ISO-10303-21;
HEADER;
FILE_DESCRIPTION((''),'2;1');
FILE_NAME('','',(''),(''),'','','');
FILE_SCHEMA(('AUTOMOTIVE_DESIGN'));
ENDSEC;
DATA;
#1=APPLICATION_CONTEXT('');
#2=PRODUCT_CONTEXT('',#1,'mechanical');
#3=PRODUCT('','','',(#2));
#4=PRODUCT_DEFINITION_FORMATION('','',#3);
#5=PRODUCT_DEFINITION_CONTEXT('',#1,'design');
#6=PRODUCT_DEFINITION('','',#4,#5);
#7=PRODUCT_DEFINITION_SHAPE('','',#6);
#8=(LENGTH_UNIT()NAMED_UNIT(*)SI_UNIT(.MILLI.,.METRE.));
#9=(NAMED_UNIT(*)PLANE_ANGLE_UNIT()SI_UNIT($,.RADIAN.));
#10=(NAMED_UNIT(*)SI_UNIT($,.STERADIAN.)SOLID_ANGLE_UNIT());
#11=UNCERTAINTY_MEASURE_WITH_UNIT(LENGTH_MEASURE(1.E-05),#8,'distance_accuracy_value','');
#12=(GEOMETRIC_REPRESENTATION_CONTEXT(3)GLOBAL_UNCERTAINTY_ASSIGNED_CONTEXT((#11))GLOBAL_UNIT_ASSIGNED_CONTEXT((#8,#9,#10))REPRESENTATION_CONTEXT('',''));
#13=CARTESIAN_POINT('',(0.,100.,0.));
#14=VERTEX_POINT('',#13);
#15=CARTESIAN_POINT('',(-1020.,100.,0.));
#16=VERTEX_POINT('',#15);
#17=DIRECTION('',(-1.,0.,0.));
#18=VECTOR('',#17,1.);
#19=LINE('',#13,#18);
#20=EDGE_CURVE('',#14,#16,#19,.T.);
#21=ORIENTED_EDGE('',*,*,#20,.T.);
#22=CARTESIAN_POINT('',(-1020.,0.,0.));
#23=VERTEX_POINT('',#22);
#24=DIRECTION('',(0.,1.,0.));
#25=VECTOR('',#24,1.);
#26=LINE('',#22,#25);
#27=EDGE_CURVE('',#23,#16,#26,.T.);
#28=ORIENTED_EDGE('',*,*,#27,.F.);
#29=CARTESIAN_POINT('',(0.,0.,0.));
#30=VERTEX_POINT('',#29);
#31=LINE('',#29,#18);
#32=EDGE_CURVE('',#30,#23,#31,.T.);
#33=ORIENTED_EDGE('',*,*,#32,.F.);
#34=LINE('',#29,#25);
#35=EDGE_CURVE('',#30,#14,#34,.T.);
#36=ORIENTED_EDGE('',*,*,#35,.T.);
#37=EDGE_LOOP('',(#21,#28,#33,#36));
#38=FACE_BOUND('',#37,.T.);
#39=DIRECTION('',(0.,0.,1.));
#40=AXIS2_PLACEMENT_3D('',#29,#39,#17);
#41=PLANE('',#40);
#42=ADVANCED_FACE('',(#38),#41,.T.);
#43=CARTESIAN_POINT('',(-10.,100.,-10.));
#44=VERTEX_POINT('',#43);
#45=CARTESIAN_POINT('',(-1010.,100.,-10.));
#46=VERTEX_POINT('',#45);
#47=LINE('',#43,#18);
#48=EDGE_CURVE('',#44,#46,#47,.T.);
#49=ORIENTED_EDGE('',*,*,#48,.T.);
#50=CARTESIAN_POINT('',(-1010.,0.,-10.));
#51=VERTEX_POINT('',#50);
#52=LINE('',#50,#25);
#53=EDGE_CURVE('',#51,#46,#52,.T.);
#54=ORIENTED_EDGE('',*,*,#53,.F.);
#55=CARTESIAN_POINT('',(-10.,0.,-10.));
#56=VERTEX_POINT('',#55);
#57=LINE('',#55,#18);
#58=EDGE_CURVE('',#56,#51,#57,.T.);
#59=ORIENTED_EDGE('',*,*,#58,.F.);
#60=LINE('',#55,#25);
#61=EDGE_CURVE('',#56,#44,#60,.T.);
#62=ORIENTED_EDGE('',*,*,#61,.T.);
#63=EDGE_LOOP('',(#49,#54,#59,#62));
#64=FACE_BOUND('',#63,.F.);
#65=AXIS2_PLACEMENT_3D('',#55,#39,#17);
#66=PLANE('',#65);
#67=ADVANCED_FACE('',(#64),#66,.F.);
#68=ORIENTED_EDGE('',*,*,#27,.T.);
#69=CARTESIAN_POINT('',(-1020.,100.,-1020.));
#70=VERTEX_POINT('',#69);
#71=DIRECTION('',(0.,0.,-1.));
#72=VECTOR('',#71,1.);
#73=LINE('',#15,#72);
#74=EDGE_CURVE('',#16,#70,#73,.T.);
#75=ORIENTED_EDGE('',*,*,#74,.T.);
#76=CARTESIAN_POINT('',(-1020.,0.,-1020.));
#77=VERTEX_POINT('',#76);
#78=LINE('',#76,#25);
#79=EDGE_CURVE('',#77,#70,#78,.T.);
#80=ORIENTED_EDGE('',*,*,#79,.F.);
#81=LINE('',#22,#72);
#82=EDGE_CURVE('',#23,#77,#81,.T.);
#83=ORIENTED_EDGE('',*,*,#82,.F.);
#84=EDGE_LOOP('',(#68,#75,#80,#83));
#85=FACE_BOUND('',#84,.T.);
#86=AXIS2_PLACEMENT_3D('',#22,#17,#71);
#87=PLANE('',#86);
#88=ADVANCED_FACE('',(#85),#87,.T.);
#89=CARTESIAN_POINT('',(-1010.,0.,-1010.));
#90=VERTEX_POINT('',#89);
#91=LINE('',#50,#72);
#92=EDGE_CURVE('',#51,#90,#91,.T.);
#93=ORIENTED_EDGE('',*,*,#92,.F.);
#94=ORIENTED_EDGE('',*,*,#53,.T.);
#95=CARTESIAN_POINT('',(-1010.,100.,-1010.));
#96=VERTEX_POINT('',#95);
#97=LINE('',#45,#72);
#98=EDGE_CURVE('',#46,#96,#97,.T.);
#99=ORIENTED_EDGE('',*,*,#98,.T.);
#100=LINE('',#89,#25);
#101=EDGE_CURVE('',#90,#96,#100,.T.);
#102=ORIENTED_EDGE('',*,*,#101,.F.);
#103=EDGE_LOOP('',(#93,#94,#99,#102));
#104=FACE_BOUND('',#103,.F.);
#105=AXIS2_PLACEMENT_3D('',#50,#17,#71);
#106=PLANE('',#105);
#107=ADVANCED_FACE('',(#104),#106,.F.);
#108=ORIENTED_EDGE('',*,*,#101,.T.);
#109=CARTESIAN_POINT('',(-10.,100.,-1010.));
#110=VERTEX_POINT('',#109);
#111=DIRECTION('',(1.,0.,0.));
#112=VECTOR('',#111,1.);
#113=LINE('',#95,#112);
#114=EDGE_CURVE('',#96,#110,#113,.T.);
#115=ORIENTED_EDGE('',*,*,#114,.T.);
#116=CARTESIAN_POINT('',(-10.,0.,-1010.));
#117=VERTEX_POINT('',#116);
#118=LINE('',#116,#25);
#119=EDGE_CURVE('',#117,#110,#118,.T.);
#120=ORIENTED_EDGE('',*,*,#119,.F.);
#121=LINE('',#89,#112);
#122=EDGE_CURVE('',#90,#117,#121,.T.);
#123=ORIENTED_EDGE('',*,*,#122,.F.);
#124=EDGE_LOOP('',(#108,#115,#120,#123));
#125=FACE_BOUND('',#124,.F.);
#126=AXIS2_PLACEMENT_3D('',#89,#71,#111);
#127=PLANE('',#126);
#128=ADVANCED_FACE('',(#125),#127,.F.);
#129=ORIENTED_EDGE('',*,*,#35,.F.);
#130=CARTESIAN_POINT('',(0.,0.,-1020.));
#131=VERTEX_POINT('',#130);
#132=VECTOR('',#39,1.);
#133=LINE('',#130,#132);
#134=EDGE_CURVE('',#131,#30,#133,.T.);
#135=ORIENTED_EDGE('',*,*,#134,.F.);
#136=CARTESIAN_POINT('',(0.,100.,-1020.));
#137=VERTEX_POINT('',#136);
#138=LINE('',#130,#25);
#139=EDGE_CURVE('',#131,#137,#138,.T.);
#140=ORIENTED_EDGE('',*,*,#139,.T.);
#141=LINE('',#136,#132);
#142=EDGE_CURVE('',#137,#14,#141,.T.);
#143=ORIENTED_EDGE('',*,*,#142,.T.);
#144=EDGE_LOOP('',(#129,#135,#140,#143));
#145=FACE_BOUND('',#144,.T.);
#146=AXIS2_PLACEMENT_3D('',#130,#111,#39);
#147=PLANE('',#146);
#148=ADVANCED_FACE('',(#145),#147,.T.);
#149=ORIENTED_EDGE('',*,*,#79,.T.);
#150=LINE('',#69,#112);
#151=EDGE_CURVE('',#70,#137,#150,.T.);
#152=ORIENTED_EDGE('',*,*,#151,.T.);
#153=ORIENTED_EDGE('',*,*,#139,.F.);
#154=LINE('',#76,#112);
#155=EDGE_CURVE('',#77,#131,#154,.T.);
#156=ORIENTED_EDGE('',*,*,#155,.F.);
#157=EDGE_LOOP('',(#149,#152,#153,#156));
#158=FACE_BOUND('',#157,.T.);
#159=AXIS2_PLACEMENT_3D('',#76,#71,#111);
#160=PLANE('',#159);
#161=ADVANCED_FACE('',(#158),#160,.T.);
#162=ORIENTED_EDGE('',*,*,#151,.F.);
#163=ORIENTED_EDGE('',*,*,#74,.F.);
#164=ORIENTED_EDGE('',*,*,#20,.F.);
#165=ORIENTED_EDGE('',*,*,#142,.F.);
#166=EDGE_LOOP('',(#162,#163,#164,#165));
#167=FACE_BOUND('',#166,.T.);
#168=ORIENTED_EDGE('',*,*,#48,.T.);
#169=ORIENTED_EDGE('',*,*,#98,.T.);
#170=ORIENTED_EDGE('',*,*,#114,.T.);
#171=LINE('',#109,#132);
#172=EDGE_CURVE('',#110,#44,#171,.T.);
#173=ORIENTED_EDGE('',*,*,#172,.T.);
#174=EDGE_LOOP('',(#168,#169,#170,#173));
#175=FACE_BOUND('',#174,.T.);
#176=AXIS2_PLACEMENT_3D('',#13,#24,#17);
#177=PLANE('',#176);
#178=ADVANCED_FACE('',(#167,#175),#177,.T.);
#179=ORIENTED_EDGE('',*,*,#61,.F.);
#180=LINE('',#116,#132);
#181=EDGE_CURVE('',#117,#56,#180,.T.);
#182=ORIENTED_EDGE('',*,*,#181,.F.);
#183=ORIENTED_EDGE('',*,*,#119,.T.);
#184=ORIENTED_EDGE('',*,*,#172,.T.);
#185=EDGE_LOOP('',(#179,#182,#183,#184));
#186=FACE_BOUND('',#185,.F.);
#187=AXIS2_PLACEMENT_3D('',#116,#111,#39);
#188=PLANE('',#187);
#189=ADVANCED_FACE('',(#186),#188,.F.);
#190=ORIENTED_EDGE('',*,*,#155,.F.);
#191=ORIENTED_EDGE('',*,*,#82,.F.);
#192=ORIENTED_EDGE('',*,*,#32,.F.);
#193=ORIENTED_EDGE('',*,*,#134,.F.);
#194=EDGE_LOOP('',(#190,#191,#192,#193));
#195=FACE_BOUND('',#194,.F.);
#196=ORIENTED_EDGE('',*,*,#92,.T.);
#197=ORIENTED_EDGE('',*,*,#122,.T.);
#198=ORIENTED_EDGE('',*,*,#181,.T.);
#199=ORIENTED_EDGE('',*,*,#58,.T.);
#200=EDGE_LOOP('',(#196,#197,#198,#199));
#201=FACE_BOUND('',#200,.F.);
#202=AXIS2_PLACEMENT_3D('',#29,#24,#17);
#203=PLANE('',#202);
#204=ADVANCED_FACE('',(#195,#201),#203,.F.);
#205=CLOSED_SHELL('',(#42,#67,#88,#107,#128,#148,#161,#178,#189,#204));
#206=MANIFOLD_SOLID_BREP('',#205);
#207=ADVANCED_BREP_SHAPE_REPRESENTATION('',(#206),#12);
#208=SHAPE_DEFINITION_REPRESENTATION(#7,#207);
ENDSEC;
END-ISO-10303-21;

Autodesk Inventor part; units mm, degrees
ref_plane "YZ Plane" through (0, 0, 0) normal (1, 0, 0) x (0, 1, 0)
ref_plane "XZ Plane" through (0, 0, 0) normal (0, 1, 0) x (-1, 0, 0)
ref_plane "XY Plane" through (0, 0, 0) normal (0, 0, 1) x (1, 0, 0)
sketch "Sketch1" plane through (0, 0, 0) normal (0, 1, 0) x (-1, 0, 0)
  line L0 (0, 0) -> (1020, 0)
  line L1 (1020, 0) -> (1020, -1020)
  line L2 (1020, -1020) -> (0, -1020)
  line L3 (0, -1020) -> (0, 0)
  line L4 (1020, -510) -> (0, -510) construction
  line L5 (10, -10) -> (1010, -10)
  line L6 (1010, -10) -> (1010, -1010)
  line L7 (1010, -1010) -> (10, -1010)
  line L8 (10, -1010) -> (10, -10)
  line L9 (1010, -510) -> (10, -510) construction
  point P0 (510, -510)
  dimension "d0" = 1020
  dimension "d1" = 1020
  dimension "d2" = 1000
  dimension "d3" = 1000
extrude "Extrusion1" add sketch "Sketch1" along normal blind 100
properties part number "Game_Mat_Inner_Wall"
